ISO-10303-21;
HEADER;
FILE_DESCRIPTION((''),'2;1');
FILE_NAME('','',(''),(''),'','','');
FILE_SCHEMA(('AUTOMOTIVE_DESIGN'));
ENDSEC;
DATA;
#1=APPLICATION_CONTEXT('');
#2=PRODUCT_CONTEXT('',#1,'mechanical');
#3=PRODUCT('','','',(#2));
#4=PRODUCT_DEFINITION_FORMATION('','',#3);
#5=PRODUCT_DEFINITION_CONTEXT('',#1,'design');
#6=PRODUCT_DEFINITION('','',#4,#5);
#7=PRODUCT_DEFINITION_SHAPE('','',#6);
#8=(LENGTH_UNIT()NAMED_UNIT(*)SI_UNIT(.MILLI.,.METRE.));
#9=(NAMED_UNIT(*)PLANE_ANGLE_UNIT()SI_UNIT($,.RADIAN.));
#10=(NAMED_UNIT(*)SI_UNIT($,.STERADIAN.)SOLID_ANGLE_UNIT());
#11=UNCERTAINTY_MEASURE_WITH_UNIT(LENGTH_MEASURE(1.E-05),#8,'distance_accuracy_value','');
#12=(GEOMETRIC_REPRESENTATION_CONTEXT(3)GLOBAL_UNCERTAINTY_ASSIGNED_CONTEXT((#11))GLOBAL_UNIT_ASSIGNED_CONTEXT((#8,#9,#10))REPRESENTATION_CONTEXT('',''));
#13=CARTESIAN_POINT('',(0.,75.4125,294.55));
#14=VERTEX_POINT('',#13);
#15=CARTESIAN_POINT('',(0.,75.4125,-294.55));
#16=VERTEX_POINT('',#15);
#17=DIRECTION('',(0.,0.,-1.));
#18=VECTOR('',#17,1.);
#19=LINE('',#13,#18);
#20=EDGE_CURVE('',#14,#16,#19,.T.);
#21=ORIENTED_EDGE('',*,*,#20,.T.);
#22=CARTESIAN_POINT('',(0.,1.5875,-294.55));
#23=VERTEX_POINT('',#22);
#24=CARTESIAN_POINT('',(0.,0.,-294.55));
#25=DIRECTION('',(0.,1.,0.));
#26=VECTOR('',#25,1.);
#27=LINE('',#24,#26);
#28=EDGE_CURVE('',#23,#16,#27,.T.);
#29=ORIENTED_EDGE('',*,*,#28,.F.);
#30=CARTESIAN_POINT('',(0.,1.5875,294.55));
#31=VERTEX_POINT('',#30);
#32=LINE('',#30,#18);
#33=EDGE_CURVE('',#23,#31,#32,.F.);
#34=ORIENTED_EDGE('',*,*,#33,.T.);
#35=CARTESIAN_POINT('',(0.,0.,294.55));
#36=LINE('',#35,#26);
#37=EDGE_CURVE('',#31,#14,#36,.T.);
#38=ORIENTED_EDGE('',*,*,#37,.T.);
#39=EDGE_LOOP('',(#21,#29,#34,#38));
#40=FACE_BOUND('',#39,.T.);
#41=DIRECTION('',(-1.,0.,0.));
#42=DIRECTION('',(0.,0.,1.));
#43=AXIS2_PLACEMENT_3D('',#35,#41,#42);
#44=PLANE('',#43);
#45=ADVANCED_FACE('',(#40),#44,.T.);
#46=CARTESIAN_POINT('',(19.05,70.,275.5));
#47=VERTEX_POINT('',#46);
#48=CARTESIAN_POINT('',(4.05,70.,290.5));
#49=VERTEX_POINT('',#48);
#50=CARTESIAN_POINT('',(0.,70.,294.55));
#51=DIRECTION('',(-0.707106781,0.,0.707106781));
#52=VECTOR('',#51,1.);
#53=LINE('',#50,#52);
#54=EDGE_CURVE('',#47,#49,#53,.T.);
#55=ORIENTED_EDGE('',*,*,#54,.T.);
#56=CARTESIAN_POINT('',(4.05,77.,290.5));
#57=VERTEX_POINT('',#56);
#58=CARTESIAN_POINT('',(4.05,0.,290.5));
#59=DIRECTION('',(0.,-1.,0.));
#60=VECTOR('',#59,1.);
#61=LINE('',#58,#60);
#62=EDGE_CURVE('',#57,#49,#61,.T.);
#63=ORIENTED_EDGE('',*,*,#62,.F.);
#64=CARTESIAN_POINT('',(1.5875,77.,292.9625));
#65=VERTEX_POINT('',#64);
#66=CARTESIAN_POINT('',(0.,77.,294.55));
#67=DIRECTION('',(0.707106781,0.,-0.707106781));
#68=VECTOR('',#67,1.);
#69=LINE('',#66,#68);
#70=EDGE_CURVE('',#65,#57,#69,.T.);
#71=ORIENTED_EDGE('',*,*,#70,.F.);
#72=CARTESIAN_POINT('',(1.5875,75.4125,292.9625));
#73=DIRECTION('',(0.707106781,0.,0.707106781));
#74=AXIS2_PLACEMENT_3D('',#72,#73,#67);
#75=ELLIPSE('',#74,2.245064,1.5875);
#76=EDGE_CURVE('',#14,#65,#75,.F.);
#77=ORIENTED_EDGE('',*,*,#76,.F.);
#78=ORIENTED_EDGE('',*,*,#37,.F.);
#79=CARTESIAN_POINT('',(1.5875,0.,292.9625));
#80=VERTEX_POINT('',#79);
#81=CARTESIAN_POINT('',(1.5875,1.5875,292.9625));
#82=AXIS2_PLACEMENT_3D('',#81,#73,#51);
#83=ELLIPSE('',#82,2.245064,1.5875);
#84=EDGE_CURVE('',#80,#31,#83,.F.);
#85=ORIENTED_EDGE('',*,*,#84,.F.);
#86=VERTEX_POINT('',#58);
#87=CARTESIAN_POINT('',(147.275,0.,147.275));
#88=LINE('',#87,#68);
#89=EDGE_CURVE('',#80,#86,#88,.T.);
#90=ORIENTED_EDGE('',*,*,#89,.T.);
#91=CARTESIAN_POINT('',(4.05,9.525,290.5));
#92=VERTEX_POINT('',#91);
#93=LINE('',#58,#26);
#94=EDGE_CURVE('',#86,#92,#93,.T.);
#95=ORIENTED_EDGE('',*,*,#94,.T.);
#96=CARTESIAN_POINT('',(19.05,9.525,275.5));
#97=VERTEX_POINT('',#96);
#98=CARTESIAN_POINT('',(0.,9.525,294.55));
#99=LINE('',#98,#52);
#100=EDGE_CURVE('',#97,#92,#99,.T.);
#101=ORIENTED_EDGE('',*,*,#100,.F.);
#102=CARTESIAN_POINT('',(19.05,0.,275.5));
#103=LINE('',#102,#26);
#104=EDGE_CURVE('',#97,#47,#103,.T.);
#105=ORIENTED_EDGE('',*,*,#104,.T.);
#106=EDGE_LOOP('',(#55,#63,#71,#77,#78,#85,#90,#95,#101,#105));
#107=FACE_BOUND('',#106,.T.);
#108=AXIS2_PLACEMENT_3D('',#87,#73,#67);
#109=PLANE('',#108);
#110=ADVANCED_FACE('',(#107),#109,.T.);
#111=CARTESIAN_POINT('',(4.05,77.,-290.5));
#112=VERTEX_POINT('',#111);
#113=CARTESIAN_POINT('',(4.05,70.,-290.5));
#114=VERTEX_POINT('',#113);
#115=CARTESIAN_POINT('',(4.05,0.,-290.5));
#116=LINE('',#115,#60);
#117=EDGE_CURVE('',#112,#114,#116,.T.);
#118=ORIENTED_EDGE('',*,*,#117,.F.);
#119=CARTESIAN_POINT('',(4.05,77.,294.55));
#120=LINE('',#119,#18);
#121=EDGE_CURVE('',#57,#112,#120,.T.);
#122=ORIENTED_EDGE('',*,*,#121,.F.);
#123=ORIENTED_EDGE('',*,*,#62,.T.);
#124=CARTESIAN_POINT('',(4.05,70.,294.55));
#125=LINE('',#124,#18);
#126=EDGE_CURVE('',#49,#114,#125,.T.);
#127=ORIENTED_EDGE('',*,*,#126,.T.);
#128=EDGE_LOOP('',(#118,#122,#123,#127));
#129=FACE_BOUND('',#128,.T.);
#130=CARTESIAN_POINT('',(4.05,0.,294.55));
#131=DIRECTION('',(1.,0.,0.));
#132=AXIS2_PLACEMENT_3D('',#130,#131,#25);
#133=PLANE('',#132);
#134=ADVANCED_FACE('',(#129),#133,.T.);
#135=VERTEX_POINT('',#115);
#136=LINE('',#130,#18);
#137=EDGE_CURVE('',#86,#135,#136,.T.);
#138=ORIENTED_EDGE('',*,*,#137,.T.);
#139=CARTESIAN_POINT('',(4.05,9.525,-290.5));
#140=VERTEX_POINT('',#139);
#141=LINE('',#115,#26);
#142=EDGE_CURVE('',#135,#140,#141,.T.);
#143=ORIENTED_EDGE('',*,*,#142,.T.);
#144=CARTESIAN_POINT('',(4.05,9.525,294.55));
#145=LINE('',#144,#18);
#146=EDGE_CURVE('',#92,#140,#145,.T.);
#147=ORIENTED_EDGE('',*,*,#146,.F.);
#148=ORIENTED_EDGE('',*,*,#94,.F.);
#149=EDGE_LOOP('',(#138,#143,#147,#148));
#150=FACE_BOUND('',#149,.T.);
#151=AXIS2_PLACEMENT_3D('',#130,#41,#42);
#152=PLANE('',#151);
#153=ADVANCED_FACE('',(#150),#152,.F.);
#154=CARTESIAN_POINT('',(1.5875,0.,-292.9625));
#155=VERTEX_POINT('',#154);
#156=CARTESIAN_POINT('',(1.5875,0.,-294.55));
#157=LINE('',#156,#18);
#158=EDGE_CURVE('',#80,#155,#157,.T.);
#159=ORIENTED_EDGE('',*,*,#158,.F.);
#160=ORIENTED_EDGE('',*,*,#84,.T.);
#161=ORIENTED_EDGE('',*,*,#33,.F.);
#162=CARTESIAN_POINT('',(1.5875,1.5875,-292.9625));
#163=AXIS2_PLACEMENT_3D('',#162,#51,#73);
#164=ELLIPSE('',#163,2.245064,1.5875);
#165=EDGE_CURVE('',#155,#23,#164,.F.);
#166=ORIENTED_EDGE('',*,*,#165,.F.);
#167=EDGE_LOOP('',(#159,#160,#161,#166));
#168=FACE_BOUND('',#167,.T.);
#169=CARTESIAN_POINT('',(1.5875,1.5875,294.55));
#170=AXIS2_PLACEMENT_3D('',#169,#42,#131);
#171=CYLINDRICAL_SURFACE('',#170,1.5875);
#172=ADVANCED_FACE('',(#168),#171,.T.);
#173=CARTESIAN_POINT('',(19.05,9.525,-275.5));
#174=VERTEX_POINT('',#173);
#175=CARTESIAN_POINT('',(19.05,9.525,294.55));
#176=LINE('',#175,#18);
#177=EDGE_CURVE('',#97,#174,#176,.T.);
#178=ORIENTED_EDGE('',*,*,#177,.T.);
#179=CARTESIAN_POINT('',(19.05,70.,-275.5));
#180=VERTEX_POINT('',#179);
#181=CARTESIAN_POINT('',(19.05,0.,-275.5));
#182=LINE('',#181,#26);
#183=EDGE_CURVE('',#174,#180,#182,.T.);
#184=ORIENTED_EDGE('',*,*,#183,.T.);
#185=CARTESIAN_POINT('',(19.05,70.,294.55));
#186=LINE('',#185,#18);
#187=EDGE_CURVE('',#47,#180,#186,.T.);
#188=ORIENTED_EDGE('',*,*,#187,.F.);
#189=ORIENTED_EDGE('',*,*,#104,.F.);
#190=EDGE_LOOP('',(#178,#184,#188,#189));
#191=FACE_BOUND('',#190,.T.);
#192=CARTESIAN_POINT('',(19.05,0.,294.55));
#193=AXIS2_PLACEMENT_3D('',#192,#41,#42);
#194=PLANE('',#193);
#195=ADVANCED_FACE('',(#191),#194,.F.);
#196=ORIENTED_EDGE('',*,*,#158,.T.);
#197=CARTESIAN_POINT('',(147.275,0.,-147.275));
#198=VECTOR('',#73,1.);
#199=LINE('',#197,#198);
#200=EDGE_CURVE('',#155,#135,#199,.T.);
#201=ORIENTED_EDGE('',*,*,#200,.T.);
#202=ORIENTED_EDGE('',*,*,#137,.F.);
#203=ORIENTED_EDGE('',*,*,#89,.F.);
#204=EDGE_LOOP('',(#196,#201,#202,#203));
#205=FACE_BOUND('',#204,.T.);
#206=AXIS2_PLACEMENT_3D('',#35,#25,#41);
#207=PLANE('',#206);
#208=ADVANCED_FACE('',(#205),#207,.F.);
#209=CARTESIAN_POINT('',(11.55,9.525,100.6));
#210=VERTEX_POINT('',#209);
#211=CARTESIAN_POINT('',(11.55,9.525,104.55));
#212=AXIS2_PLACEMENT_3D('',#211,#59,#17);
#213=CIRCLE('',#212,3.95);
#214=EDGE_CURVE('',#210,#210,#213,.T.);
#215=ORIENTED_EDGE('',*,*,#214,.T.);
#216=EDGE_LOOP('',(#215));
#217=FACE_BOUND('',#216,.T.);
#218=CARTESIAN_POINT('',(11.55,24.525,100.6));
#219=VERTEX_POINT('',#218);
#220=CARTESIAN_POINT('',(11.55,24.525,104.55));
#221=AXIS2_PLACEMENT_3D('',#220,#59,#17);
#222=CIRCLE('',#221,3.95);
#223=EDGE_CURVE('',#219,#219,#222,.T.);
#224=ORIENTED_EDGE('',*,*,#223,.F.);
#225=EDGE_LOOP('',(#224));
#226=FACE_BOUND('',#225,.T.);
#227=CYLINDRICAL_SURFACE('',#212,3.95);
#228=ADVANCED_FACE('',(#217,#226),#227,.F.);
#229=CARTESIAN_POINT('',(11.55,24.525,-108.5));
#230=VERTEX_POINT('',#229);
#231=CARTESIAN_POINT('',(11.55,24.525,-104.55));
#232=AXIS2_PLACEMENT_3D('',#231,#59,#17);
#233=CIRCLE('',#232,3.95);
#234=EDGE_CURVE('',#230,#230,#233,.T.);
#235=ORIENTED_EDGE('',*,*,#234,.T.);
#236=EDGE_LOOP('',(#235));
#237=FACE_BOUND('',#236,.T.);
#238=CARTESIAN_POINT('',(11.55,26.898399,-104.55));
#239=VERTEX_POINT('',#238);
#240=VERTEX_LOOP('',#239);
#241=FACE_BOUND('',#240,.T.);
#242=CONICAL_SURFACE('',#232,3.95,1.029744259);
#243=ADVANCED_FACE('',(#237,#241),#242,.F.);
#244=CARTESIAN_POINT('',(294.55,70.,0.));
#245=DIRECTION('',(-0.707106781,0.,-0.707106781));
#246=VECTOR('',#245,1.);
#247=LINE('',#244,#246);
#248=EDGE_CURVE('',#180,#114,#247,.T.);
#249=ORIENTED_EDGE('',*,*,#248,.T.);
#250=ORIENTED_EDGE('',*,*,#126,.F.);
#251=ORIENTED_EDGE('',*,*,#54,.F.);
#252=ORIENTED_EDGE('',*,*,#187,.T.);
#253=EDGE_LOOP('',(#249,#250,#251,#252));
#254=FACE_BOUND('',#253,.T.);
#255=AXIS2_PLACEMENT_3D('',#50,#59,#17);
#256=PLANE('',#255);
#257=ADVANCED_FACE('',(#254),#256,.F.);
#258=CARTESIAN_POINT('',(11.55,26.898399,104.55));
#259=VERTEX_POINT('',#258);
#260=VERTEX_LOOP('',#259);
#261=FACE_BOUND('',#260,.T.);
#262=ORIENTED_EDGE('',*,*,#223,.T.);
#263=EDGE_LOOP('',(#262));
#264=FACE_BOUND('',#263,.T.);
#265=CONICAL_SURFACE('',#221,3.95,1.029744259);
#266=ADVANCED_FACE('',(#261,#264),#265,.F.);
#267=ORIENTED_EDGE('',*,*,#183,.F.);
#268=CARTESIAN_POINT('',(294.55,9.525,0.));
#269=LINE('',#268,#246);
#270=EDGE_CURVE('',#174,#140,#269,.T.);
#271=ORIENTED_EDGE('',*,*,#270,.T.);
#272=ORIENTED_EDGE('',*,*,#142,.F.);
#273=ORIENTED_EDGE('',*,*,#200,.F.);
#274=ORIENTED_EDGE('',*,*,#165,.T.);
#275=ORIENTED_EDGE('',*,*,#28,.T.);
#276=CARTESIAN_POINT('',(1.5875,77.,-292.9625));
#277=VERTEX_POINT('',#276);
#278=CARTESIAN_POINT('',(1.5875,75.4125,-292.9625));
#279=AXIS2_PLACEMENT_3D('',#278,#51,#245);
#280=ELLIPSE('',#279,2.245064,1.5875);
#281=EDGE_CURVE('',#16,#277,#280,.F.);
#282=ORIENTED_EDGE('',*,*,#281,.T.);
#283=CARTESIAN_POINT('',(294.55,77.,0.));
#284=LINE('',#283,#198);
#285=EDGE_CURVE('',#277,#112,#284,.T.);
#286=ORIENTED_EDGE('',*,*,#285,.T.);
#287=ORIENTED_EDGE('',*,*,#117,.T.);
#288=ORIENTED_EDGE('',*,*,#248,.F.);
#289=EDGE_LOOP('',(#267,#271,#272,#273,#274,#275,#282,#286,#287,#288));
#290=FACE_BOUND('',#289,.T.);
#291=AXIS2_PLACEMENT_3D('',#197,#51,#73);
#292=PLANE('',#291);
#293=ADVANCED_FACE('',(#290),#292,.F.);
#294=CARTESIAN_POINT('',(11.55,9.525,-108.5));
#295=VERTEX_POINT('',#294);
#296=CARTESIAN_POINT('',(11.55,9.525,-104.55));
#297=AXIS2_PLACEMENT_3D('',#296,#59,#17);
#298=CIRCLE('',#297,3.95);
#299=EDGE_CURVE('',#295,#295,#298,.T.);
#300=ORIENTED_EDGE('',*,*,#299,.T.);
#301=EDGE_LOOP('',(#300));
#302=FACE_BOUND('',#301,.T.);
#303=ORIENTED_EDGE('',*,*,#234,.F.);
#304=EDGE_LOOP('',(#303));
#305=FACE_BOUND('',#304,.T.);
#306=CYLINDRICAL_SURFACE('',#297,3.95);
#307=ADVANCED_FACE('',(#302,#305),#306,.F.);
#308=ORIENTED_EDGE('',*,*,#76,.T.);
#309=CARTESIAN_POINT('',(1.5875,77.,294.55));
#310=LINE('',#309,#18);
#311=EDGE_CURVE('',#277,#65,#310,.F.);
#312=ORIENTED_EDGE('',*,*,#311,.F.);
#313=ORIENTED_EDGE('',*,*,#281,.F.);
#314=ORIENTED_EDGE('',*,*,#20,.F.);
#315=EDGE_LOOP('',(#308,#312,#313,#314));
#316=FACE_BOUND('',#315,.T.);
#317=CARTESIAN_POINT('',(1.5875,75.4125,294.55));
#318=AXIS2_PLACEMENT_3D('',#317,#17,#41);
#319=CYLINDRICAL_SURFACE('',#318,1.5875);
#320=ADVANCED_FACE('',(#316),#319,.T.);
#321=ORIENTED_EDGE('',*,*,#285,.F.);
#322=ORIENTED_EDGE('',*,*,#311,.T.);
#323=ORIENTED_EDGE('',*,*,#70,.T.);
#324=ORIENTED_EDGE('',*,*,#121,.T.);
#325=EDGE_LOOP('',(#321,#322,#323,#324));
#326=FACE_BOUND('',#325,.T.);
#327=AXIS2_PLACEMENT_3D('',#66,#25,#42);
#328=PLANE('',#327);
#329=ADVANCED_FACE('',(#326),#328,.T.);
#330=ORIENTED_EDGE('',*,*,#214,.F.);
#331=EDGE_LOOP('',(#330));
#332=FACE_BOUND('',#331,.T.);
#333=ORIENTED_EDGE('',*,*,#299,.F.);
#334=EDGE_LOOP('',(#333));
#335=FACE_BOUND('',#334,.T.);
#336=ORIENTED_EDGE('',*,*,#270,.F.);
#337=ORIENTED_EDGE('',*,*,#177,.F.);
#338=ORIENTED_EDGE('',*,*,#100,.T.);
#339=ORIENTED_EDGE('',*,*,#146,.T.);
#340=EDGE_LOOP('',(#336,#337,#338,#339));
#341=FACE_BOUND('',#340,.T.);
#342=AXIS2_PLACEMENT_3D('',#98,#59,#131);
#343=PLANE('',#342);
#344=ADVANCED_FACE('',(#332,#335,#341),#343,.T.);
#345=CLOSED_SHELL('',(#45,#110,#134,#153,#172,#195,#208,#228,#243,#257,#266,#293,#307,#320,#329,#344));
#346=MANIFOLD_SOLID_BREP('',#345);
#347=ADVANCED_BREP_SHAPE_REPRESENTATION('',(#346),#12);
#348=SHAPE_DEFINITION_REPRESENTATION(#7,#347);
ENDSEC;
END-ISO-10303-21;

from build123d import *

# Parameters (mm, degrees)
BOSS_EXTRUDE1_DEPTH            = 294.550000053
FILLET1_R                      = 1.5875
CUT_EXTRUDE1_DEPTH             = 306.043611732
CUT_EXTRUDE1_DEPTH_BACK        = 306.043611732
F_7_9_7_9_DIAMETER_HOLE2_D     = 7.9
F_7_9_7_9_DIAMETER_HOLE2_DEPTH = 15
F_7_9_7_9_DIAMETER_HOLE2_TIP   = 2.373399445


with BuildPart() as part:
    # Sketch1 → Boss-Extrude1 (new, symmetric)
    with BuildSketch(Plane.XY):
        Polygon((0, 77.000000178), (0, 0), (4.050000028, 0), (4.050000028, 9.525), (19.05, 9.525), (19.05, 70.000000208), (4.050000028, 70.000000208), (4.050000028, 77.000000178), align=None)
    extrude(amount=BOSS_EXTRUDE1_DEPTH, both=True)

    # Fillet1
    fillet1_edges = [part.edges().sort_by_distance(p)[0] for p in [
        (0, 0, 0),
        (0, 77.000000178, 0),
    ]]
    fillet(fillet1_edges, radius=FILLET1_R)

    # Sketch2 → Cut-Extrude1 (cut, two sides: drawn at the far end of the back side and taken through both)
    with BuildSketch(Plane(origin=(0, 77.000000178, 0), x_dir=(1, 0, 0), z_dir=(0, 1, 0)).offset(-CUT_EXTRUDE1_DEPTH_BACK)):
        Polygon((0, 294.550000053), (19.05, 275.500000053), (19.05, 294.550000053), align=None)
        Polygon((19.05, -275.500000053), (19.05, -294.550000053), (0, -294.550000053), align=None)
    extrude(amount=CUT_EXTRUDE1_DEPTH + CUT_EXTRUDE1_DEPTH_BACK, mode=Mode.SUBTRACT)

    # Ø7.9 (7.9) Diameter Hole2
    with Locations(Plane.XZ.offset(-9.525)):
        with Locations((11.550000014, -104.550000053), (11.550000014, 104.550000053)):
            Hole(F_7_9_7_9_DIAMETER_HOLE2_D / 2, depth=F_7_9_7_9_DIAMETER_HOLE2_DEPTH)
            with Locations((0, 0, -(F_7_9_7_9_DIAMETER_HOLE2_DEPTH + F_7_9_7_9_DIAMETER_HOLE2_TIP / 2))):  # 118° drill point
                Cone(0, F_7_9_7_9_DIAMETER_HOLE2_D / 2, F_7_9_7_9_DIAMETER_HOLE2_TIP, mode=Mode.SUBTRACT)


solid = part.part
